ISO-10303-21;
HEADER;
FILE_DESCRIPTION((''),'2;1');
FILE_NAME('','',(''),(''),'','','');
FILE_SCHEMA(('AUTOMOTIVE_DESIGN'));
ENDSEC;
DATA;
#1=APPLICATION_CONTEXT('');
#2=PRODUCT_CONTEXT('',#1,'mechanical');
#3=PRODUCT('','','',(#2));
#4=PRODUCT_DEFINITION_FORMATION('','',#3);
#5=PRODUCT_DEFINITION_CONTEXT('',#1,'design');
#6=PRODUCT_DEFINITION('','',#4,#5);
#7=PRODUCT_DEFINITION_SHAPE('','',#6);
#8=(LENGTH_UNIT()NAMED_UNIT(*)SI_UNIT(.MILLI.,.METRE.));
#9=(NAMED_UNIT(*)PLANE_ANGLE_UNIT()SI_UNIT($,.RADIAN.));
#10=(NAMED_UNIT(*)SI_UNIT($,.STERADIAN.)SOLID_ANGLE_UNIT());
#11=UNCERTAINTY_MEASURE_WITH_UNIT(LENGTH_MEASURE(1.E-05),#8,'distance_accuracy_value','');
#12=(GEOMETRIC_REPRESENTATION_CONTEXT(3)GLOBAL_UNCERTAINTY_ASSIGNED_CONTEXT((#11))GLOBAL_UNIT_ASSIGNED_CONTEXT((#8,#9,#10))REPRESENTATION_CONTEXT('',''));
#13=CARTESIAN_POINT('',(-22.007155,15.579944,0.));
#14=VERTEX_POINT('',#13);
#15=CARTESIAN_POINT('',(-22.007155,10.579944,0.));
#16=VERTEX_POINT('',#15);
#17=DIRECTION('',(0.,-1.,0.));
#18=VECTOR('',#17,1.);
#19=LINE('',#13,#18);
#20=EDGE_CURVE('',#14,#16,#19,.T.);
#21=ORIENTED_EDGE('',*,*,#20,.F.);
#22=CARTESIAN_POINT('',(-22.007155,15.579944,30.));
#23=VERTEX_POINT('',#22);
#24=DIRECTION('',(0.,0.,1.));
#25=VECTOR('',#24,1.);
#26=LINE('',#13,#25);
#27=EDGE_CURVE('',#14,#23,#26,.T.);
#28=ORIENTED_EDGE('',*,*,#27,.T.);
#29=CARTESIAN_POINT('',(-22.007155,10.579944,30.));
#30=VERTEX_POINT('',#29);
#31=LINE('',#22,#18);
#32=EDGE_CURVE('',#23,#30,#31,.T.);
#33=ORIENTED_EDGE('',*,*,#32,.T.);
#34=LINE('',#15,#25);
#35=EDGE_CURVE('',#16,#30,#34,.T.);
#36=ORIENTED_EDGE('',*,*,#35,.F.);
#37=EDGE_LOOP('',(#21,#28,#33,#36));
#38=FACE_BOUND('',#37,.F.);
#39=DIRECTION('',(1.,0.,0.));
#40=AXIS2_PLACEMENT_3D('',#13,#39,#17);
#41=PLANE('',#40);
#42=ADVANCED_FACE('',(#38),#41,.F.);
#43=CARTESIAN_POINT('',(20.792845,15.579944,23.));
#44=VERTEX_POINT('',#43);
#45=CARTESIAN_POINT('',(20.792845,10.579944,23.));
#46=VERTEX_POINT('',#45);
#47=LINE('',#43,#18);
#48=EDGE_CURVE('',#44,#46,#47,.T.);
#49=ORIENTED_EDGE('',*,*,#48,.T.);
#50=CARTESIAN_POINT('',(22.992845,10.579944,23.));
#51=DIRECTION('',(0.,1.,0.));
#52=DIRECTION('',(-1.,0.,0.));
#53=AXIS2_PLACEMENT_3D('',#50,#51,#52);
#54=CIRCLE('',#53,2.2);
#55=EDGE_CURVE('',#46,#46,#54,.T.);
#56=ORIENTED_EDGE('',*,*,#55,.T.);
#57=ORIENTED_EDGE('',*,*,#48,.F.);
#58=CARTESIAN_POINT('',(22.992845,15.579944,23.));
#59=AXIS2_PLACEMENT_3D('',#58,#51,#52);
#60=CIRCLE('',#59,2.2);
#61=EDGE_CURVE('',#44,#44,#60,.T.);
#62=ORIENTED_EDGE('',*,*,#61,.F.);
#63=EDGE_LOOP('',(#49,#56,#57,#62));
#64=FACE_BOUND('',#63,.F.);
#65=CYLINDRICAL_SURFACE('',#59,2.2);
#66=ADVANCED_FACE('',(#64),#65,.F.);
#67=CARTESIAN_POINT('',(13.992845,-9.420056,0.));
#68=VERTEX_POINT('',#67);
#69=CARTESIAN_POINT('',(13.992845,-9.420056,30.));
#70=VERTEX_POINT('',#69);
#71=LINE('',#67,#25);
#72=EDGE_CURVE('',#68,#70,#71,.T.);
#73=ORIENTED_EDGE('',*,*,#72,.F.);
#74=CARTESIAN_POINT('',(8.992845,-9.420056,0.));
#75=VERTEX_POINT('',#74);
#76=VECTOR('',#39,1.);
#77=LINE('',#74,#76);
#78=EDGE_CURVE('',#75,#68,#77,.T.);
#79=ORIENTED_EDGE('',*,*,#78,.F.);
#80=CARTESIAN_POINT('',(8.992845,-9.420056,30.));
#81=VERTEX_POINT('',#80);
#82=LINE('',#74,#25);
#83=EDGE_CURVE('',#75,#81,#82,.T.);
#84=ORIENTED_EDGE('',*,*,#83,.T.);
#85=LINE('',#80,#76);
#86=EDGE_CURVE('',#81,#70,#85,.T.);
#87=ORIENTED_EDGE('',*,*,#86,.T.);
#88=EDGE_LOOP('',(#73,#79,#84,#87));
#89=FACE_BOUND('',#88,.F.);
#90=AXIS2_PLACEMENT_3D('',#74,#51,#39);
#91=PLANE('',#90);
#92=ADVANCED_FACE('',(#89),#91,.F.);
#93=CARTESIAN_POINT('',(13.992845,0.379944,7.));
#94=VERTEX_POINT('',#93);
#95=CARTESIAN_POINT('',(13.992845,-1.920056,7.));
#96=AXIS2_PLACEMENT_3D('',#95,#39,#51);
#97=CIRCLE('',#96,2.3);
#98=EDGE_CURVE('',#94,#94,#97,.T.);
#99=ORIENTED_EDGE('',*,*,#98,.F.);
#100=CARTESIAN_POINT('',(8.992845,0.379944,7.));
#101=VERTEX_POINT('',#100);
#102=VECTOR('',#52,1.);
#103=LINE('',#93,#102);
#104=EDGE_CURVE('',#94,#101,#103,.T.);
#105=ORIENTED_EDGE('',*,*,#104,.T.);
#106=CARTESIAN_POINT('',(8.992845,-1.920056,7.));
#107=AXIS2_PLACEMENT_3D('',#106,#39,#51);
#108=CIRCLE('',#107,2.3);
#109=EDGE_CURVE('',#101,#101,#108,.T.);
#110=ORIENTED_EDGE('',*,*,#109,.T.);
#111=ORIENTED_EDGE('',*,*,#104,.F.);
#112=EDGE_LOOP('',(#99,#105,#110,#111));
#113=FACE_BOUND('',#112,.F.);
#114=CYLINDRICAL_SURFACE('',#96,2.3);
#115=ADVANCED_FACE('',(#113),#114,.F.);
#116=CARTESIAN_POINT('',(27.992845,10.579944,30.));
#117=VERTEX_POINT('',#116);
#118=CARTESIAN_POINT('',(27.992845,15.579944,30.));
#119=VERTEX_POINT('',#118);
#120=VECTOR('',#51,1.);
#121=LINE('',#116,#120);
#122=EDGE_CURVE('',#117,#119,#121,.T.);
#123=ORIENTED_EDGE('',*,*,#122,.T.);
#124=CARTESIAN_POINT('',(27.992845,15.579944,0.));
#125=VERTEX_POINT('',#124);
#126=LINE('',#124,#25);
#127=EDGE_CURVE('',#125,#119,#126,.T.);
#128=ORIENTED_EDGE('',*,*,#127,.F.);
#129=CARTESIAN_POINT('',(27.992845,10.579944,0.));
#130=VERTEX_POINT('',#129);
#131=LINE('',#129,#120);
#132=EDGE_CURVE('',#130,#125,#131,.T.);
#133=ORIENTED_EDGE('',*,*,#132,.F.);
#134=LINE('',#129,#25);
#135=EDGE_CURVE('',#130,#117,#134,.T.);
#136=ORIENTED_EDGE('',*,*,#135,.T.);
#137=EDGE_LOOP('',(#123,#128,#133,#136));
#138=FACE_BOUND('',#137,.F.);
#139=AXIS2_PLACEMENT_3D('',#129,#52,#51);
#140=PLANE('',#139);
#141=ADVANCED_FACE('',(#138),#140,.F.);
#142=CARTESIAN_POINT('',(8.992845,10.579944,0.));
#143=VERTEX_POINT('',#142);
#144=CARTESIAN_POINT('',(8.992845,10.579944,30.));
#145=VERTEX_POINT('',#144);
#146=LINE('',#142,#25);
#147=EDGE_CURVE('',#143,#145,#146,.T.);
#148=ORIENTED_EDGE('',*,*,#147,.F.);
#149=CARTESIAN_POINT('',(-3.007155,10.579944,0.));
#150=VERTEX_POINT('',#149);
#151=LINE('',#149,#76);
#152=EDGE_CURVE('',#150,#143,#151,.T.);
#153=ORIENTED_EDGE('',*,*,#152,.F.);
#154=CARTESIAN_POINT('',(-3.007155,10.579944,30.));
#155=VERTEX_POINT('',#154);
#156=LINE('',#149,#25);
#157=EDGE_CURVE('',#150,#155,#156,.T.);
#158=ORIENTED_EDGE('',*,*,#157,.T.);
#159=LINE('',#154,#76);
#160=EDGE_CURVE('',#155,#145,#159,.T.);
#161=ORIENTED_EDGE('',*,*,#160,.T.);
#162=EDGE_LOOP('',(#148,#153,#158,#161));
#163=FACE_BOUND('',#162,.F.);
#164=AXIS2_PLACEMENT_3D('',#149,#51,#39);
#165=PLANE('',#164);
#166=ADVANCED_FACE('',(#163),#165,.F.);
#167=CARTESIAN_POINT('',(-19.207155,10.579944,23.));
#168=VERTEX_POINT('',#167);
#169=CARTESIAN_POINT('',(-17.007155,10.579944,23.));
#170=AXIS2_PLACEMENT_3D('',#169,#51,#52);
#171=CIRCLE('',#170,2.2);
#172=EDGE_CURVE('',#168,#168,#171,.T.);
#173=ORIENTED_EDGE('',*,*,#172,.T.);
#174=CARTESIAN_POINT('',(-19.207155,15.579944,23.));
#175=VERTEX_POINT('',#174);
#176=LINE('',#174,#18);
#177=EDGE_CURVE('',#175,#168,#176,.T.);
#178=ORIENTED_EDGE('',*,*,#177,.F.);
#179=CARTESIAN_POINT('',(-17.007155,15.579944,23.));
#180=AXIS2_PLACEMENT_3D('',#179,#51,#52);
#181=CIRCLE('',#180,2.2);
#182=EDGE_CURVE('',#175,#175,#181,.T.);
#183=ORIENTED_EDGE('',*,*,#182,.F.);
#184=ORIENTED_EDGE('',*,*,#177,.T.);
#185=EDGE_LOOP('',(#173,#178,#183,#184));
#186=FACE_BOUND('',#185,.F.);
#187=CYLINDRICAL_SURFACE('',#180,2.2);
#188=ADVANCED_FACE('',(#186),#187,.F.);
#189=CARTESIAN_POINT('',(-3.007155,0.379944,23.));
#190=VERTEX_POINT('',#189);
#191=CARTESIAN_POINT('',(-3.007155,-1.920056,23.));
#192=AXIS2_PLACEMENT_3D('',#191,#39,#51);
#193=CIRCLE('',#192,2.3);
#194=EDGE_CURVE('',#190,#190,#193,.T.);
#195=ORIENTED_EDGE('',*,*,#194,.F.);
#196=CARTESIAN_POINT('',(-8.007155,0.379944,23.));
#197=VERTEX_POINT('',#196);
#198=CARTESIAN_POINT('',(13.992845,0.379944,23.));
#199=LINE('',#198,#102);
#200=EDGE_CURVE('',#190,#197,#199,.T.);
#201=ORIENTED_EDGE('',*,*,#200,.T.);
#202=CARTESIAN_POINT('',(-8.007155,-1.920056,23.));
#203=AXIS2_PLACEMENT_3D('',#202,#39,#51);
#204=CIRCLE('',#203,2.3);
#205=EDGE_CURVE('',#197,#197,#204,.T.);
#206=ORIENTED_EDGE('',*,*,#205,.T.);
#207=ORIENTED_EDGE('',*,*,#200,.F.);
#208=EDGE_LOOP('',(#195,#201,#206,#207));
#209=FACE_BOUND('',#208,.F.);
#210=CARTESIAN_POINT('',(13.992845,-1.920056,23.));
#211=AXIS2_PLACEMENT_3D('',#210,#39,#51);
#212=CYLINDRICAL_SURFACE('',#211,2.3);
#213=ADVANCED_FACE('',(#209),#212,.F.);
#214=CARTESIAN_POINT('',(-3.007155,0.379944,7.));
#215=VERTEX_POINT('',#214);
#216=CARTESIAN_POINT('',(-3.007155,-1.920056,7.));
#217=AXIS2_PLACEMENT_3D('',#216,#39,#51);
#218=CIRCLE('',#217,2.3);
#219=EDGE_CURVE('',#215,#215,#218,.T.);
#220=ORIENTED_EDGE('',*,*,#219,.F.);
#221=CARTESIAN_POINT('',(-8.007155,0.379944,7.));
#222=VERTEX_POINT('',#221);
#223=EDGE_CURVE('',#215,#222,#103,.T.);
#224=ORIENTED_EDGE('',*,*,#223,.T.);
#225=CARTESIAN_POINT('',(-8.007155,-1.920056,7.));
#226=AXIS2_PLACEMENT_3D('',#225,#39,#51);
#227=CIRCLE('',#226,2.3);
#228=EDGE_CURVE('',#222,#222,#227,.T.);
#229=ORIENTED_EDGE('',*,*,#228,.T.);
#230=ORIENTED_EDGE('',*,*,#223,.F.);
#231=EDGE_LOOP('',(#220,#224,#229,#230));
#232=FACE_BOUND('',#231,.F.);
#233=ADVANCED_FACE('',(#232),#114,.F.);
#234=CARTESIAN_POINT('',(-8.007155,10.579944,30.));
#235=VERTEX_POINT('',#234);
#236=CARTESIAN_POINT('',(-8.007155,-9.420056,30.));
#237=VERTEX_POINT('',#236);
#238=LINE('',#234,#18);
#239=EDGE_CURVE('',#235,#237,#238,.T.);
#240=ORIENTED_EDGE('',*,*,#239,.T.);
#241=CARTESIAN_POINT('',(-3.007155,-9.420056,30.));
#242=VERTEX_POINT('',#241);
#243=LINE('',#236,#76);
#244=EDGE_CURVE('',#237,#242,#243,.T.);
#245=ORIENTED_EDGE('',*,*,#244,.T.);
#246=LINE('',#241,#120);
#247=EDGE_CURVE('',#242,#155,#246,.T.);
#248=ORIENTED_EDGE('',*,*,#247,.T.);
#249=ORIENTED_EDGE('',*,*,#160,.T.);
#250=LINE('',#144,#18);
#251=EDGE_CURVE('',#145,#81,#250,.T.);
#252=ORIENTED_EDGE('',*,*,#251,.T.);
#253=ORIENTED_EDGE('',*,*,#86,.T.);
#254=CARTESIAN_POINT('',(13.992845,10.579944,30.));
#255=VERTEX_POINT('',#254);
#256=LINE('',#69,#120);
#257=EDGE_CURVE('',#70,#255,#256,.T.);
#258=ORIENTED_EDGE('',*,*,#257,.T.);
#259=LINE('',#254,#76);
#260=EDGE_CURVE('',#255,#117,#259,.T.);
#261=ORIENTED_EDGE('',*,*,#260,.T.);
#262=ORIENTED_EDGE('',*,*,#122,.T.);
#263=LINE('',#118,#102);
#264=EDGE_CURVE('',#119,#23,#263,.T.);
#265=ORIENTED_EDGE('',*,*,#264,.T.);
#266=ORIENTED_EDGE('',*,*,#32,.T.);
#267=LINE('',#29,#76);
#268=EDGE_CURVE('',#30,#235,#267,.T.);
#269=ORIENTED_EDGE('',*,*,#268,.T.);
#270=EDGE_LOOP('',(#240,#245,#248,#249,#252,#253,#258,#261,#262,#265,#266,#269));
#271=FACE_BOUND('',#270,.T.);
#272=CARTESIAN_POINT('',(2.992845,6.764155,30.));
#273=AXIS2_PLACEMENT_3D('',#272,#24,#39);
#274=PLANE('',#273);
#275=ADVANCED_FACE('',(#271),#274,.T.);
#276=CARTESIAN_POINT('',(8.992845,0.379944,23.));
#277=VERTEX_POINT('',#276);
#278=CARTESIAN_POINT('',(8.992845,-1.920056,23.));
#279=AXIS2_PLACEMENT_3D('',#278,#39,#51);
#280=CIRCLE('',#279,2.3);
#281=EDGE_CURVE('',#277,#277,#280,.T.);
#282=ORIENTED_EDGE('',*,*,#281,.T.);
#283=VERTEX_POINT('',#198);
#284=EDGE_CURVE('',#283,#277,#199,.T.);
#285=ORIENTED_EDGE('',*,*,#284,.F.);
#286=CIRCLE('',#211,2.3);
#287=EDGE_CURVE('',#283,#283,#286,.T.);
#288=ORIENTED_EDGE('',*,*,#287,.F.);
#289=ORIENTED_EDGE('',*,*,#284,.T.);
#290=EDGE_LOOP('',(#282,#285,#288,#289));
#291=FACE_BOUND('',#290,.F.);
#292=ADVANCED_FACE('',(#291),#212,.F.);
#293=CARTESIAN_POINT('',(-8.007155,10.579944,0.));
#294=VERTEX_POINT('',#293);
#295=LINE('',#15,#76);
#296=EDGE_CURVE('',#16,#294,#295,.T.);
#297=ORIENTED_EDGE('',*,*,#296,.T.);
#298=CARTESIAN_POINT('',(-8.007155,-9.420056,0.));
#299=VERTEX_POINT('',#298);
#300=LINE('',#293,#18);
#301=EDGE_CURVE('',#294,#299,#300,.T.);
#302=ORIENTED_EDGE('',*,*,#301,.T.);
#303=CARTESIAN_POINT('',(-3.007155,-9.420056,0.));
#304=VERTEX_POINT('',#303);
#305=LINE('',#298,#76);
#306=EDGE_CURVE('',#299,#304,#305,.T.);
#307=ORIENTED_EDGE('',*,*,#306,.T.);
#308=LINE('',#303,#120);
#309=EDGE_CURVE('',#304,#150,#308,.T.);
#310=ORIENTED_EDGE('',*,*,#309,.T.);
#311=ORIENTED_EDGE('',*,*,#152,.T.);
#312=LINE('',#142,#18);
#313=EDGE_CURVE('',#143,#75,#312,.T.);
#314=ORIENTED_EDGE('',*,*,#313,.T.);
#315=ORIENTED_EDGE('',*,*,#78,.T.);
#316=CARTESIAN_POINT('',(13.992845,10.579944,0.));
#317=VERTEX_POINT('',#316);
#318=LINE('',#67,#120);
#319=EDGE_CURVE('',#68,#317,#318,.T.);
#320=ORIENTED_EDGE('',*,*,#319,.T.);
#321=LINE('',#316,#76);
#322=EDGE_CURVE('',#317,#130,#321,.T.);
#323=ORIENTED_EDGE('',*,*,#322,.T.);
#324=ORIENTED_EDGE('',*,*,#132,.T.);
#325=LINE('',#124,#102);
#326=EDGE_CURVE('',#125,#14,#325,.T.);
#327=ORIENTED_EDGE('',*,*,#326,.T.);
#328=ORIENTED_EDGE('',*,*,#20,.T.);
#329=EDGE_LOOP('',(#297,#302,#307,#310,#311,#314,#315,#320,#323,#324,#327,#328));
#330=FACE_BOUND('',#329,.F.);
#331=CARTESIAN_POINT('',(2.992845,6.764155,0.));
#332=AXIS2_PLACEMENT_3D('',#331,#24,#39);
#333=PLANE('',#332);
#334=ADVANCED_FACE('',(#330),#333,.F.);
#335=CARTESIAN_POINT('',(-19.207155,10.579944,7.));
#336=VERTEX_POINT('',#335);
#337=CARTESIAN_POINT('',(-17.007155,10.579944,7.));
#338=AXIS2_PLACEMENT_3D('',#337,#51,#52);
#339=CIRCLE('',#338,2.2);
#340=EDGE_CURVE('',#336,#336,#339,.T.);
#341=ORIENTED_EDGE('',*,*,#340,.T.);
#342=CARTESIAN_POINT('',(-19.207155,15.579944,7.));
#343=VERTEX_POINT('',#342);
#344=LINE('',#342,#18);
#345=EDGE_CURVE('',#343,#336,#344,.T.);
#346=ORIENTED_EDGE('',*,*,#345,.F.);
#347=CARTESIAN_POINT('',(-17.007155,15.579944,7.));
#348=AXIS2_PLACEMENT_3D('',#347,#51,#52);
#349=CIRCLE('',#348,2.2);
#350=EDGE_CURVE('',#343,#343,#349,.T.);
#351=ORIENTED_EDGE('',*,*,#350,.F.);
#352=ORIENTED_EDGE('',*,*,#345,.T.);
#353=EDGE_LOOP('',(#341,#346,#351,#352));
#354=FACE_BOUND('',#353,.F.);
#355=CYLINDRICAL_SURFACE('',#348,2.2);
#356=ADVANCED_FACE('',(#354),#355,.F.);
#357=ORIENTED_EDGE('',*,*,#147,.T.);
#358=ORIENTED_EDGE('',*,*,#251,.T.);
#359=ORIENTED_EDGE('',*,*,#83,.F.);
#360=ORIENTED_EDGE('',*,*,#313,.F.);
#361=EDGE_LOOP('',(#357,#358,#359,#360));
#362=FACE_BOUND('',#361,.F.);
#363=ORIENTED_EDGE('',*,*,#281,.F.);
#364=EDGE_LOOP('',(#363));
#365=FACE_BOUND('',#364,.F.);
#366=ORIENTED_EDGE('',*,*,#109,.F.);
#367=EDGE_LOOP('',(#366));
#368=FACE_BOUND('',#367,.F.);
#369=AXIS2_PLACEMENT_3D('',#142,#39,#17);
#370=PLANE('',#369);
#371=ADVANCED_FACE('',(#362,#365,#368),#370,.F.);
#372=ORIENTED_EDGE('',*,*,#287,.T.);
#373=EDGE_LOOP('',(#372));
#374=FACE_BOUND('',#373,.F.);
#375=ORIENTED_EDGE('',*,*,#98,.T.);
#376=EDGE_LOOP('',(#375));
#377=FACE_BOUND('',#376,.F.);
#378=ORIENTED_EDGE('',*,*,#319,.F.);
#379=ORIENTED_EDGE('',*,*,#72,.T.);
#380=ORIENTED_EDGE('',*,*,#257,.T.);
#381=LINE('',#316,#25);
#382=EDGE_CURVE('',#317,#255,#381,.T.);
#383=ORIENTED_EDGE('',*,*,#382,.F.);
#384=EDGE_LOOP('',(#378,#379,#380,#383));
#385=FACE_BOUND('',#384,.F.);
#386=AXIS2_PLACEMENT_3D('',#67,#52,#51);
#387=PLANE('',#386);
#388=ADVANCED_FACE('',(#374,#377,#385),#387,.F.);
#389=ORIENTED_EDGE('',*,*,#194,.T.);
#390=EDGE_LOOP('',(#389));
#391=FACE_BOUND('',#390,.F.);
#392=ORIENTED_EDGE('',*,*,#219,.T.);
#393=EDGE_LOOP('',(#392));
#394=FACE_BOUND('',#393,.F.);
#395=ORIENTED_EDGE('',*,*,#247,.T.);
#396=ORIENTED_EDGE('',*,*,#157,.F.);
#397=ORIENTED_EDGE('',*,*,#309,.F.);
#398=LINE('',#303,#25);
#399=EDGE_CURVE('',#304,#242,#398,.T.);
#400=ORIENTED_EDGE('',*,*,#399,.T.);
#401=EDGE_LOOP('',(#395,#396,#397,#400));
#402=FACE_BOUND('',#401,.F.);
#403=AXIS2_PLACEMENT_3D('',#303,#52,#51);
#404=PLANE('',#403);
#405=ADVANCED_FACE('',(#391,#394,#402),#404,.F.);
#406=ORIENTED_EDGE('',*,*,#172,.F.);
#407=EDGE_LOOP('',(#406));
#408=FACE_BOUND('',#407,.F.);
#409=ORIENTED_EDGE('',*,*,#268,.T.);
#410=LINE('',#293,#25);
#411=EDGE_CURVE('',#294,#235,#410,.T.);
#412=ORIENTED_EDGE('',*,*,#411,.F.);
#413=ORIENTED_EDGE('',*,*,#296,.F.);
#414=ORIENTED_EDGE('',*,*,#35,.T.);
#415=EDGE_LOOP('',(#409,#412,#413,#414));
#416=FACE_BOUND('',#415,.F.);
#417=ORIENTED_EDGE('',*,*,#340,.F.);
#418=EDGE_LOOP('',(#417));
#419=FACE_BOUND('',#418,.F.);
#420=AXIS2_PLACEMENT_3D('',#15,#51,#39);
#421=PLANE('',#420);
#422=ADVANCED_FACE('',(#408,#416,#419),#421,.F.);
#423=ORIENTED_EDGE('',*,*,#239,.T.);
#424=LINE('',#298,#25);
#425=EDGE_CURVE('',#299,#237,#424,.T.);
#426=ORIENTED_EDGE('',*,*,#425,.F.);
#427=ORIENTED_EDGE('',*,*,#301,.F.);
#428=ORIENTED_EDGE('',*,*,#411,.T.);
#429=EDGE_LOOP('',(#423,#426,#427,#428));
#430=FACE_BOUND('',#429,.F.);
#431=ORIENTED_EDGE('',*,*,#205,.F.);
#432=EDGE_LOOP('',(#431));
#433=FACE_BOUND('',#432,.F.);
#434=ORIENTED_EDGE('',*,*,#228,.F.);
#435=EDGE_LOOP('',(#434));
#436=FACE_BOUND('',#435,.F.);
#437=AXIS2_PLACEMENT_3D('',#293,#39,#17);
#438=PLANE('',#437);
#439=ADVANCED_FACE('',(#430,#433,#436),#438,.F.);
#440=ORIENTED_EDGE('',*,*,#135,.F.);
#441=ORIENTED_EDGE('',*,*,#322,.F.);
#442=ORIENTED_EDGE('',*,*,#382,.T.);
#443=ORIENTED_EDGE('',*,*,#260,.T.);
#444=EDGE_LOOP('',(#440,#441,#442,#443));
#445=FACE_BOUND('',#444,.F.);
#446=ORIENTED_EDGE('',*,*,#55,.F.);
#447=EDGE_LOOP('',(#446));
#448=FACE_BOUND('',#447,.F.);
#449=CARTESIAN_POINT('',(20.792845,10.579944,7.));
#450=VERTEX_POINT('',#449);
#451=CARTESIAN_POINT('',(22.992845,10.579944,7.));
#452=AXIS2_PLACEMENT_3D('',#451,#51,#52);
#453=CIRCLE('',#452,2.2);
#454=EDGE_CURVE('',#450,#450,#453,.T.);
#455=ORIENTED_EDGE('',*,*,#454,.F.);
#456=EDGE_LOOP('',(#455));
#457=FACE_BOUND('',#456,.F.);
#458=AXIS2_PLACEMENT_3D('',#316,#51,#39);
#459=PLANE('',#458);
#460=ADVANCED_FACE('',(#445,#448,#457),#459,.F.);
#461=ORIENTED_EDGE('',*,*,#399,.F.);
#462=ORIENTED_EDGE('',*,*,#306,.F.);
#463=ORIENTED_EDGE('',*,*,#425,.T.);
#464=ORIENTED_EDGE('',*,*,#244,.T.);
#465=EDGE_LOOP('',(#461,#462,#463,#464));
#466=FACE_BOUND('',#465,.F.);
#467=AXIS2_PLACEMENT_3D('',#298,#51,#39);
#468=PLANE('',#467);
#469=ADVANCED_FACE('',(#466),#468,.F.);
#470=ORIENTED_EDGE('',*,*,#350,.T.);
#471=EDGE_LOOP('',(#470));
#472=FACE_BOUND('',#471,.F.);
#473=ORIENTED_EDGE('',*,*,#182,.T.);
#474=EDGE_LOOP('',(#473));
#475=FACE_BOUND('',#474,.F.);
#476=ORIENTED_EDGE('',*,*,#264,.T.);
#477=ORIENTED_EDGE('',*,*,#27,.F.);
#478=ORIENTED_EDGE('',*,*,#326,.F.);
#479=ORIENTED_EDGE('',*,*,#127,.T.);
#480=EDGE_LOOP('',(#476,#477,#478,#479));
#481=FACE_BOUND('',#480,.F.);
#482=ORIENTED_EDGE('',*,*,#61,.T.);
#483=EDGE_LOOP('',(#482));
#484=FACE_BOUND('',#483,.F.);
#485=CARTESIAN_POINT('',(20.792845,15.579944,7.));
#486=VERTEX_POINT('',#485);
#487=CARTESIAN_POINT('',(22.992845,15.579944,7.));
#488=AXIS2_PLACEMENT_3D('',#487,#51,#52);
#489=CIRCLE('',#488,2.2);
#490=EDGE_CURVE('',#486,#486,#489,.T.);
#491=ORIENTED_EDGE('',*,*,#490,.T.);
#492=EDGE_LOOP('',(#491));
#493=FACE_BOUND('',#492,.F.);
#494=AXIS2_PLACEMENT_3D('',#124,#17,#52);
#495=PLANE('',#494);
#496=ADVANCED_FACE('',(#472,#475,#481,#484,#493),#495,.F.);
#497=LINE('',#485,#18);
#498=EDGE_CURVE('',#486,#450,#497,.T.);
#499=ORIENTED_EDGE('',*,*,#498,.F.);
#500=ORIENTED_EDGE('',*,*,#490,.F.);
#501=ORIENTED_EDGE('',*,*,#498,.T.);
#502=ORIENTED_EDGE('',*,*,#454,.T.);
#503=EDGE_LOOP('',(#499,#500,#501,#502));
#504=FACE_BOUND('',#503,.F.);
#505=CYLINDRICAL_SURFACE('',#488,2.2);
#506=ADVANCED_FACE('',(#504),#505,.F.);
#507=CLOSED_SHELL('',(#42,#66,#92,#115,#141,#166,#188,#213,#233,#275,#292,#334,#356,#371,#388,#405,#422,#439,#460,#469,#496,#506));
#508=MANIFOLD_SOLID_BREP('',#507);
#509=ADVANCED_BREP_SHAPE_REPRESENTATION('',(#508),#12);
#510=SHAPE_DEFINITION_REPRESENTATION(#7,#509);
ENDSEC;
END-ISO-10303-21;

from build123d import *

# Parameters (mm, degrees)
PAD_DEPTH       = 30
SKETCH001_R     = 2.3
POCKET_DEPTH    = 36.001
SKETCH002_R     = 2.2
POCKET001_DEPTH = 25.001


with BuildPart() as part:
    # Sketch → Pad (new body)
    with BuildSketch(Plane.XY):
        Polygon((27.992845, 15.579944), (-22.007155, 15.579944), (-22.007155, 10.579944), (-8.007155, 10.579944), (-8.007155, -9.420056), (-3.007155, -9.420056), (-3.007155, 10.579944), (8.992845, 10.579944), (8.992845, -9.420056), (13.992845, -9.420056), (13.992845, 10.579944), (27.992845, 10.579944), align=None)
    extrude(amount=PAD_DEPTH)

    # Sketch001 → Pocket (cut, through all)
    with BuildSketch(Plane.YZ.offset(13.992845)):
        with Locations((-1.920056, 7)):
            Circle(SKETCH001_R)
        with Locations((-1.920056, 23)):
            Circle(SKETCH001_R)
    extrude(amount=-POCKET_DEPTH, mode=Mode.SUBTRACT)

    # Sketch002 → Pocket001 (cut, through all)
    with BuildSketch(Plane(origin=(0, 15.579944, 0), x_dir=(-1, 0, 0), z_dir=(0, 1, 0))):
        with Locations((-22.992845, 7)):
            Circle(SKETCH002_R)
        with Locations((17.007155, 7)):
            Circle(SKETCH002_R)
        with Locations((-22.992845, 23)):
            Circle(SKETCH002_R)
        with Locations((17.007155, 23)):
            Circle(SKETCH002_R)
    extrude(amount=-POCKET001_DEPTH, mode=Mode.SUBTRACT)


solid = part.part
